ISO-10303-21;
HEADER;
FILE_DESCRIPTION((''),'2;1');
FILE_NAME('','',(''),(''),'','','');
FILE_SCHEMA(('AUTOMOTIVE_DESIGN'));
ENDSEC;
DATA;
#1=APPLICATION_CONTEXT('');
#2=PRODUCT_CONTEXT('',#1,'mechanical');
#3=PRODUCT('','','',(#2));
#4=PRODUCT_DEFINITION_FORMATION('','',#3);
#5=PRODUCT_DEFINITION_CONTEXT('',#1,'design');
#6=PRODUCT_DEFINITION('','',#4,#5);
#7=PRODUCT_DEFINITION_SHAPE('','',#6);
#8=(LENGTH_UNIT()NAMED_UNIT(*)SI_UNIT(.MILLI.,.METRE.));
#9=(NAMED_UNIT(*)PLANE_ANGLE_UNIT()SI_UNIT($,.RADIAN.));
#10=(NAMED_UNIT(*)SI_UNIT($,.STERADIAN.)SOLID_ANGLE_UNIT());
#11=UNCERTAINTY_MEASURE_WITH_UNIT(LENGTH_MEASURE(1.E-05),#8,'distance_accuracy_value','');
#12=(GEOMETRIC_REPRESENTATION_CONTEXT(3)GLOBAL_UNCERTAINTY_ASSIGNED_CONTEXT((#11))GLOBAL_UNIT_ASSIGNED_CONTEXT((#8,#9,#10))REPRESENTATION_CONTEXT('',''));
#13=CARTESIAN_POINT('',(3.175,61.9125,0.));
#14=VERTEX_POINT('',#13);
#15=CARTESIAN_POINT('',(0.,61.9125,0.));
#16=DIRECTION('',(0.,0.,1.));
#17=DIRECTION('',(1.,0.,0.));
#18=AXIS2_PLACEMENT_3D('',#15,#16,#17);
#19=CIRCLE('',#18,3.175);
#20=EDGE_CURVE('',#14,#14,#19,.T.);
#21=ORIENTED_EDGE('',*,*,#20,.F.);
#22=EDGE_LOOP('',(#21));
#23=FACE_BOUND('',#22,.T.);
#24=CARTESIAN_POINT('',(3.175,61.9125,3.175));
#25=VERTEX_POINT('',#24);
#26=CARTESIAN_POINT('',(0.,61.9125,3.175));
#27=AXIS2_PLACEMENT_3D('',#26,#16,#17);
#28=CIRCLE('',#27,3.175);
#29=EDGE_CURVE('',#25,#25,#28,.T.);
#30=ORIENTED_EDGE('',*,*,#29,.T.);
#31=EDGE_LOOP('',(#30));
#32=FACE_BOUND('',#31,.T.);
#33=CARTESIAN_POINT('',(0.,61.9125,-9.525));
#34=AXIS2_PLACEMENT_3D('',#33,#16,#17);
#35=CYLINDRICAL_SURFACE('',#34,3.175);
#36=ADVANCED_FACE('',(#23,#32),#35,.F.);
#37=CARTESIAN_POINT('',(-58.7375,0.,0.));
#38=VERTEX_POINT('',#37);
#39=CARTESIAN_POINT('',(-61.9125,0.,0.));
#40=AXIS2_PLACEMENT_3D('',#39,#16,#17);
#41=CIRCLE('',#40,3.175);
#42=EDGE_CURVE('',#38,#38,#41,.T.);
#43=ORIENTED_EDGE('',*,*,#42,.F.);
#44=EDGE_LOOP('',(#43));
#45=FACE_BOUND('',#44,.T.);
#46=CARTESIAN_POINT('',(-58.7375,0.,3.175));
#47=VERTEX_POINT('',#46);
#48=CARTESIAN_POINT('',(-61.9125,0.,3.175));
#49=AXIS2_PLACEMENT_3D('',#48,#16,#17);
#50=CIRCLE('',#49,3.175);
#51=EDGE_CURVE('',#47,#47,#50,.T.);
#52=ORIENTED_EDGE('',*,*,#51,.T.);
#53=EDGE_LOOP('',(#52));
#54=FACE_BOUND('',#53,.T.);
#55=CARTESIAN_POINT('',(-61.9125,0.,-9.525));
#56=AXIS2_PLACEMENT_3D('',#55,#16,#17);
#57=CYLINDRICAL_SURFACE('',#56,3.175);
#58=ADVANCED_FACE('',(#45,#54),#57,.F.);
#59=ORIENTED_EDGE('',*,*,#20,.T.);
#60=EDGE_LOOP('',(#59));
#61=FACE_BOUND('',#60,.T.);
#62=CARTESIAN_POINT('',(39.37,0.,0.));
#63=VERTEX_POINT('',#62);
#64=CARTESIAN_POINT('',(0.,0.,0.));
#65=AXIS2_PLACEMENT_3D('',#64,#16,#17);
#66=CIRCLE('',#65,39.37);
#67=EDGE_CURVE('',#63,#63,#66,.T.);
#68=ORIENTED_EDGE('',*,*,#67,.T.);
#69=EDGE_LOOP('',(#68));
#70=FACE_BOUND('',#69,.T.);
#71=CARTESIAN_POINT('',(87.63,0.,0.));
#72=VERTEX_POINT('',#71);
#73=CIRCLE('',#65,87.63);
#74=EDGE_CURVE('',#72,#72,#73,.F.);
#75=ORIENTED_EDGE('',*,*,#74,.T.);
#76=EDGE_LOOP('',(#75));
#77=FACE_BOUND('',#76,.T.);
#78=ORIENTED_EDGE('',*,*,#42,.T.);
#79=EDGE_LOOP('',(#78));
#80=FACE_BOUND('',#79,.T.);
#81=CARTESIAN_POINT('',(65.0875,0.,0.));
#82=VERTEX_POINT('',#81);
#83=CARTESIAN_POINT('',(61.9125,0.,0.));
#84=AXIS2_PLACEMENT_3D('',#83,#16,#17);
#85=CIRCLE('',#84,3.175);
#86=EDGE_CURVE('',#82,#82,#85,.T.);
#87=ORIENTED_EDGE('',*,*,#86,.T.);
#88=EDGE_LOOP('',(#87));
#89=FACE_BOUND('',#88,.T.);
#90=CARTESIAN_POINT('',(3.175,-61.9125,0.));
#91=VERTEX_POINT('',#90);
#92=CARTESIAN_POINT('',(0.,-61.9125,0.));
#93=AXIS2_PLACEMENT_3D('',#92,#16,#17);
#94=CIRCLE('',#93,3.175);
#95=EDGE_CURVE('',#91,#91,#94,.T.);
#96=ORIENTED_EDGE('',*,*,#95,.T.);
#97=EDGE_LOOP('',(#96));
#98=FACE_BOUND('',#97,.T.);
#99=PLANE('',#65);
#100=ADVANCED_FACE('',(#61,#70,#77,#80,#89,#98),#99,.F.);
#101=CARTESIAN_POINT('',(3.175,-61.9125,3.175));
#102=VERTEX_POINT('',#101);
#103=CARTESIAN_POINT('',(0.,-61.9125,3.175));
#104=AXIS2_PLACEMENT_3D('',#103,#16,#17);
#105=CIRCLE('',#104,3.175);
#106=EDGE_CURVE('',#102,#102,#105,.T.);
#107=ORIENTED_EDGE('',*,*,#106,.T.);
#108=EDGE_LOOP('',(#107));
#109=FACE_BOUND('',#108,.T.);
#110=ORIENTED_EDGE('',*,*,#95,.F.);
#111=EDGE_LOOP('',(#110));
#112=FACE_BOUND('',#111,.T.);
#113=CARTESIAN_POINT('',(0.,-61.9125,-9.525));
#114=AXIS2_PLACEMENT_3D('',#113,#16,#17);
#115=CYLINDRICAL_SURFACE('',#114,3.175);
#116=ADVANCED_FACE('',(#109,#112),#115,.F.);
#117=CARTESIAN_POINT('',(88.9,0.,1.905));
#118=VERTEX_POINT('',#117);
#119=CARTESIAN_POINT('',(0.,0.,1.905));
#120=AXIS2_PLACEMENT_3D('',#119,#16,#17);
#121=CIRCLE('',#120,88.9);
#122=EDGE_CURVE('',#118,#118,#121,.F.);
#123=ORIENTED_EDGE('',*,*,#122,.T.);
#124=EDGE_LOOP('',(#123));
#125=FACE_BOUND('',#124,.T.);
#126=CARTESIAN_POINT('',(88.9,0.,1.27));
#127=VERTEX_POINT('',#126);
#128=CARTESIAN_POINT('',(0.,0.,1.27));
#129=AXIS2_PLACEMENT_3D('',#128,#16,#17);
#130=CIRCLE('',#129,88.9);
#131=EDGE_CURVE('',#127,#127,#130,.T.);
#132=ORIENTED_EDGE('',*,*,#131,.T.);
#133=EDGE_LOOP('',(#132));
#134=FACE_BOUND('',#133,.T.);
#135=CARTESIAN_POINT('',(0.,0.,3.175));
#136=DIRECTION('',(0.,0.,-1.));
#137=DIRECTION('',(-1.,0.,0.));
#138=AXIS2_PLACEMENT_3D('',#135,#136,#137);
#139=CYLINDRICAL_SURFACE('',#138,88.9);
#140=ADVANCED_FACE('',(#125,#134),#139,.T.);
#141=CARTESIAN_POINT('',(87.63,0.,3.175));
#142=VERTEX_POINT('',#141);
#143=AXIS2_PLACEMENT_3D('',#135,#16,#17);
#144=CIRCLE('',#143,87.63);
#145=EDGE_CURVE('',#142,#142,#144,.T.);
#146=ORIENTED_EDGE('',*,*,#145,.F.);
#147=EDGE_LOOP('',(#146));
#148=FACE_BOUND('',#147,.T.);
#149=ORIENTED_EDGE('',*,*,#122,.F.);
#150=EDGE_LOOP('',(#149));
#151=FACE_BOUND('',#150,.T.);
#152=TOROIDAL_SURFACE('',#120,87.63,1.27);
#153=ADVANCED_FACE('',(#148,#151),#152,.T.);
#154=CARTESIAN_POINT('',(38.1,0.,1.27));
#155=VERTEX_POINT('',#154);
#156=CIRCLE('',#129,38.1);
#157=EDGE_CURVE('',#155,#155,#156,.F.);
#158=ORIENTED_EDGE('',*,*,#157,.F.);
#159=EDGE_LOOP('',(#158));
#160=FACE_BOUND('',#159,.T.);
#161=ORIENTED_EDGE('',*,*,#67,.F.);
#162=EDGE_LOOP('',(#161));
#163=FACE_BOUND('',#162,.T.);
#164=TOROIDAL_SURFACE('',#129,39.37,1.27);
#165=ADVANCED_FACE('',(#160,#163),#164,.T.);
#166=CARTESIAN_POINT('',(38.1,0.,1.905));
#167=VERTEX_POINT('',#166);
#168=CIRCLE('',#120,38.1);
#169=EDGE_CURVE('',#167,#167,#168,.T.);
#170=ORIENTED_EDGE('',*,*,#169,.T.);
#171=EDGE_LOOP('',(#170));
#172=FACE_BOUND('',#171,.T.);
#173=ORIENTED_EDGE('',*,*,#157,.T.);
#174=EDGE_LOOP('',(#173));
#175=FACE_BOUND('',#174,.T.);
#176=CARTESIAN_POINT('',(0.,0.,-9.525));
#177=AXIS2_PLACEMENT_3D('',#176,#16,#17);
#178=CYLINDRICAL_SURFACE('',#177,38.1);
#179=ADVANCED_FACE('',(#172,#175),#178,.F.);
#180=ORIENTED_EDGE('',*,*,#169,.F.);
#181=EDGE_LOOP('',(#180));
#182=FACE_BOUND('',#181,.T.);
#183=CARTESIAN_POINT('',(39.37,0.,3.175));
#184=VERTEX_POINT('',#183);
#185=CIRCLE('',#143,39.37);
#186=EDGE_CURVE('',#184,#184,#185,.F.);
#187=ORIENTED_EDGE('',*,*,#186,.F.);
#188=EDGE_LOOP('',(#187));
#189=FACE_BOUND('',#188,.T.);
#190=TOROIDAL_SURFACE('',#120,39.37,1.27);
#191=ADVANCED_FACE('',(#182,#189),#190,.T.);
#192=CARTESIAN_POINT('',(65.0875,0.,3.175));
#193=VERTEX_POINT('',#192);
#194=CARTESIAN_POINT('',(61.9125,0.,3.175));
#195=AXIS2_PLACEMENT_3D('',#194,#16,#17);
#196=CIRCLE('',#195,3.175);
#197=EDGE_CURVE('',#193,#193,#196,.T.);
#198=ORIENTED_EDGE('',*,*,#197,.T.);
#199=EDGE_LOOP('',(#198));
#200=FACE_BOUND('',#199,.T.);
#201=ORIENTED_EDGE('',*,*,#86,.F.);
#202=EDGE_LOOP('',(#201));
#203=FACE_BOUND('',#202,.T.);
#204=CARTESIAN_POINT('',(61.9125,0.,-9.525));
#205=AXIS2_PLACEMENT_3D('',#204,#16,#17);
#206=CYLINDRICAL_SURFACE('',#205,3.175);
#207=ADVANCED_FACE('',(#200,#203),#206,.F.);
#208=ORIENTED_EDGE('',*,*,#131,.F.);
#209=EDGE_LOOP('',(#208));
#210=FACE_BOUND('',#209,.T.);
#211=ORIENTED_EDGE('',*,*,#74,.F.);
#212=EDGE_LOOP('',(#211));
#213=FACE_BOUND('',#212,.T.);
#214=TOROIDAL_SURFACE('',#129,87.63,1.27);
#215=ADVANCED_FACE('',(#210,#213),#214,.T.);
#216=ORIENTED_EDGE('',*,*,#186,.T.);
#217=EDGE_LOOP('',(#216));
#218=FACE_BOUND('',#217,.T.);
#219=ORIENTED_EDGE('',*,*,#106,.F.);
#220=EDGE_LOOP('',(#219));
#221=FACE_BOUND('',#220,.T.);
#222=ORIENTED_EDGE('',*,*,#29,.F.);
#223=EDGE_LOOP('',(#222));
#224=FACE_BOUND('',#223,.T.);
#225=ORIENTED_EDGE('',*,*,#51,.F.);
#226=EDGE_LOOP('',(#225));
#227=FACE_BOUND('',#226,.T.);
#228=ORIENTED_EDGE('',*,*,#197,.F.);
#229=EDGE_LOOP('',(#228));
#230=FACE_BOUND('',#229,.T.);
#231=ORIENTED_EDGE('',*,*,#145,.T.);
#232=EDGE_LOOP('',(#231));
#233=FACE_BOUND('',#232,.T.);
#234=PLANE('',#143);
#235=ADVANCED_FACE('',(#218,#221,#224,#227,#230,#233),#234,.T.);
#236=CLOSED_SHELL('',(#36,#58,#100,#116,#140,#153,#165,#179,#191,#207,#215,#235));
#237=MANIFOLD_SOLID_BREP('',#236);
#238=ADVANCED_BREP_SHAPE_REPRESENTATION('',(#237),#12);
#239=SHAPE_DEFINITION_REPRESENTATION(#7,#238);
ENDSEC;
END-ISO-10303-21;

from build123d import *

# Parameters (mm, degrees)
SKETCH1_R           = 88.9
BOSS_EXTRUDE1_DEPTH = 3.175
FILLET1_R           = 1.27
SKETCH2_R           = 38.1
SKETCH2_R_2         = 3.175
CUT_EXTRUDE1_DEPTH  = 12.7
FILLET2_R           = 1.27


with BuildPart() as part:
    # Sketch1 → Boss-Extrude1 (new body)
    with BuildSketch(Plane.XY):
        Circle(SKETCH1_R)
    extrude(amount=BOSS_EXTRUDE1_DEPTH)

    # Fillet1
    fillet1_edges = [part.edges().sort_by_distance(p)[0] for p in [
        (-88.9, 0, 0),
        (-88.9, 0, 3.175),
    ]]
    fillet(fillet1_edges, radius=FILLET1_R)

    # Sketch2 → Cut-Extrude1 (cut)
    with BuildSketch(Plane.XY.offset(3.175)):
        Circle(SKETCH2_R)
        with Locations((0, 61.9125)):
            Circle(SKETCH2_R_2)
        with Locations((61.9125, 0)):
            Circle(SKETCH2_R_2)
        with Locations((0, -61.9125)):
            Circle(SKETCH2_R_2)
        with Locations((-61.9125, 0)):
            Circle(SKETCH2_R_2)
    extrude(amount=-CUT_EXTRUDE1_DEPTH, mode=Mode.SUBTRACT)

    # Fillet2
    fillet2_edges = [part.edges().sort_by_distance(p)[0] for p in [
        (-38.1, 0, 0),
        (-38.1, 0, 3.175),
    ]]
    fillet(fillet2_edges, radius=FILLET2_R)


solid = part.part
